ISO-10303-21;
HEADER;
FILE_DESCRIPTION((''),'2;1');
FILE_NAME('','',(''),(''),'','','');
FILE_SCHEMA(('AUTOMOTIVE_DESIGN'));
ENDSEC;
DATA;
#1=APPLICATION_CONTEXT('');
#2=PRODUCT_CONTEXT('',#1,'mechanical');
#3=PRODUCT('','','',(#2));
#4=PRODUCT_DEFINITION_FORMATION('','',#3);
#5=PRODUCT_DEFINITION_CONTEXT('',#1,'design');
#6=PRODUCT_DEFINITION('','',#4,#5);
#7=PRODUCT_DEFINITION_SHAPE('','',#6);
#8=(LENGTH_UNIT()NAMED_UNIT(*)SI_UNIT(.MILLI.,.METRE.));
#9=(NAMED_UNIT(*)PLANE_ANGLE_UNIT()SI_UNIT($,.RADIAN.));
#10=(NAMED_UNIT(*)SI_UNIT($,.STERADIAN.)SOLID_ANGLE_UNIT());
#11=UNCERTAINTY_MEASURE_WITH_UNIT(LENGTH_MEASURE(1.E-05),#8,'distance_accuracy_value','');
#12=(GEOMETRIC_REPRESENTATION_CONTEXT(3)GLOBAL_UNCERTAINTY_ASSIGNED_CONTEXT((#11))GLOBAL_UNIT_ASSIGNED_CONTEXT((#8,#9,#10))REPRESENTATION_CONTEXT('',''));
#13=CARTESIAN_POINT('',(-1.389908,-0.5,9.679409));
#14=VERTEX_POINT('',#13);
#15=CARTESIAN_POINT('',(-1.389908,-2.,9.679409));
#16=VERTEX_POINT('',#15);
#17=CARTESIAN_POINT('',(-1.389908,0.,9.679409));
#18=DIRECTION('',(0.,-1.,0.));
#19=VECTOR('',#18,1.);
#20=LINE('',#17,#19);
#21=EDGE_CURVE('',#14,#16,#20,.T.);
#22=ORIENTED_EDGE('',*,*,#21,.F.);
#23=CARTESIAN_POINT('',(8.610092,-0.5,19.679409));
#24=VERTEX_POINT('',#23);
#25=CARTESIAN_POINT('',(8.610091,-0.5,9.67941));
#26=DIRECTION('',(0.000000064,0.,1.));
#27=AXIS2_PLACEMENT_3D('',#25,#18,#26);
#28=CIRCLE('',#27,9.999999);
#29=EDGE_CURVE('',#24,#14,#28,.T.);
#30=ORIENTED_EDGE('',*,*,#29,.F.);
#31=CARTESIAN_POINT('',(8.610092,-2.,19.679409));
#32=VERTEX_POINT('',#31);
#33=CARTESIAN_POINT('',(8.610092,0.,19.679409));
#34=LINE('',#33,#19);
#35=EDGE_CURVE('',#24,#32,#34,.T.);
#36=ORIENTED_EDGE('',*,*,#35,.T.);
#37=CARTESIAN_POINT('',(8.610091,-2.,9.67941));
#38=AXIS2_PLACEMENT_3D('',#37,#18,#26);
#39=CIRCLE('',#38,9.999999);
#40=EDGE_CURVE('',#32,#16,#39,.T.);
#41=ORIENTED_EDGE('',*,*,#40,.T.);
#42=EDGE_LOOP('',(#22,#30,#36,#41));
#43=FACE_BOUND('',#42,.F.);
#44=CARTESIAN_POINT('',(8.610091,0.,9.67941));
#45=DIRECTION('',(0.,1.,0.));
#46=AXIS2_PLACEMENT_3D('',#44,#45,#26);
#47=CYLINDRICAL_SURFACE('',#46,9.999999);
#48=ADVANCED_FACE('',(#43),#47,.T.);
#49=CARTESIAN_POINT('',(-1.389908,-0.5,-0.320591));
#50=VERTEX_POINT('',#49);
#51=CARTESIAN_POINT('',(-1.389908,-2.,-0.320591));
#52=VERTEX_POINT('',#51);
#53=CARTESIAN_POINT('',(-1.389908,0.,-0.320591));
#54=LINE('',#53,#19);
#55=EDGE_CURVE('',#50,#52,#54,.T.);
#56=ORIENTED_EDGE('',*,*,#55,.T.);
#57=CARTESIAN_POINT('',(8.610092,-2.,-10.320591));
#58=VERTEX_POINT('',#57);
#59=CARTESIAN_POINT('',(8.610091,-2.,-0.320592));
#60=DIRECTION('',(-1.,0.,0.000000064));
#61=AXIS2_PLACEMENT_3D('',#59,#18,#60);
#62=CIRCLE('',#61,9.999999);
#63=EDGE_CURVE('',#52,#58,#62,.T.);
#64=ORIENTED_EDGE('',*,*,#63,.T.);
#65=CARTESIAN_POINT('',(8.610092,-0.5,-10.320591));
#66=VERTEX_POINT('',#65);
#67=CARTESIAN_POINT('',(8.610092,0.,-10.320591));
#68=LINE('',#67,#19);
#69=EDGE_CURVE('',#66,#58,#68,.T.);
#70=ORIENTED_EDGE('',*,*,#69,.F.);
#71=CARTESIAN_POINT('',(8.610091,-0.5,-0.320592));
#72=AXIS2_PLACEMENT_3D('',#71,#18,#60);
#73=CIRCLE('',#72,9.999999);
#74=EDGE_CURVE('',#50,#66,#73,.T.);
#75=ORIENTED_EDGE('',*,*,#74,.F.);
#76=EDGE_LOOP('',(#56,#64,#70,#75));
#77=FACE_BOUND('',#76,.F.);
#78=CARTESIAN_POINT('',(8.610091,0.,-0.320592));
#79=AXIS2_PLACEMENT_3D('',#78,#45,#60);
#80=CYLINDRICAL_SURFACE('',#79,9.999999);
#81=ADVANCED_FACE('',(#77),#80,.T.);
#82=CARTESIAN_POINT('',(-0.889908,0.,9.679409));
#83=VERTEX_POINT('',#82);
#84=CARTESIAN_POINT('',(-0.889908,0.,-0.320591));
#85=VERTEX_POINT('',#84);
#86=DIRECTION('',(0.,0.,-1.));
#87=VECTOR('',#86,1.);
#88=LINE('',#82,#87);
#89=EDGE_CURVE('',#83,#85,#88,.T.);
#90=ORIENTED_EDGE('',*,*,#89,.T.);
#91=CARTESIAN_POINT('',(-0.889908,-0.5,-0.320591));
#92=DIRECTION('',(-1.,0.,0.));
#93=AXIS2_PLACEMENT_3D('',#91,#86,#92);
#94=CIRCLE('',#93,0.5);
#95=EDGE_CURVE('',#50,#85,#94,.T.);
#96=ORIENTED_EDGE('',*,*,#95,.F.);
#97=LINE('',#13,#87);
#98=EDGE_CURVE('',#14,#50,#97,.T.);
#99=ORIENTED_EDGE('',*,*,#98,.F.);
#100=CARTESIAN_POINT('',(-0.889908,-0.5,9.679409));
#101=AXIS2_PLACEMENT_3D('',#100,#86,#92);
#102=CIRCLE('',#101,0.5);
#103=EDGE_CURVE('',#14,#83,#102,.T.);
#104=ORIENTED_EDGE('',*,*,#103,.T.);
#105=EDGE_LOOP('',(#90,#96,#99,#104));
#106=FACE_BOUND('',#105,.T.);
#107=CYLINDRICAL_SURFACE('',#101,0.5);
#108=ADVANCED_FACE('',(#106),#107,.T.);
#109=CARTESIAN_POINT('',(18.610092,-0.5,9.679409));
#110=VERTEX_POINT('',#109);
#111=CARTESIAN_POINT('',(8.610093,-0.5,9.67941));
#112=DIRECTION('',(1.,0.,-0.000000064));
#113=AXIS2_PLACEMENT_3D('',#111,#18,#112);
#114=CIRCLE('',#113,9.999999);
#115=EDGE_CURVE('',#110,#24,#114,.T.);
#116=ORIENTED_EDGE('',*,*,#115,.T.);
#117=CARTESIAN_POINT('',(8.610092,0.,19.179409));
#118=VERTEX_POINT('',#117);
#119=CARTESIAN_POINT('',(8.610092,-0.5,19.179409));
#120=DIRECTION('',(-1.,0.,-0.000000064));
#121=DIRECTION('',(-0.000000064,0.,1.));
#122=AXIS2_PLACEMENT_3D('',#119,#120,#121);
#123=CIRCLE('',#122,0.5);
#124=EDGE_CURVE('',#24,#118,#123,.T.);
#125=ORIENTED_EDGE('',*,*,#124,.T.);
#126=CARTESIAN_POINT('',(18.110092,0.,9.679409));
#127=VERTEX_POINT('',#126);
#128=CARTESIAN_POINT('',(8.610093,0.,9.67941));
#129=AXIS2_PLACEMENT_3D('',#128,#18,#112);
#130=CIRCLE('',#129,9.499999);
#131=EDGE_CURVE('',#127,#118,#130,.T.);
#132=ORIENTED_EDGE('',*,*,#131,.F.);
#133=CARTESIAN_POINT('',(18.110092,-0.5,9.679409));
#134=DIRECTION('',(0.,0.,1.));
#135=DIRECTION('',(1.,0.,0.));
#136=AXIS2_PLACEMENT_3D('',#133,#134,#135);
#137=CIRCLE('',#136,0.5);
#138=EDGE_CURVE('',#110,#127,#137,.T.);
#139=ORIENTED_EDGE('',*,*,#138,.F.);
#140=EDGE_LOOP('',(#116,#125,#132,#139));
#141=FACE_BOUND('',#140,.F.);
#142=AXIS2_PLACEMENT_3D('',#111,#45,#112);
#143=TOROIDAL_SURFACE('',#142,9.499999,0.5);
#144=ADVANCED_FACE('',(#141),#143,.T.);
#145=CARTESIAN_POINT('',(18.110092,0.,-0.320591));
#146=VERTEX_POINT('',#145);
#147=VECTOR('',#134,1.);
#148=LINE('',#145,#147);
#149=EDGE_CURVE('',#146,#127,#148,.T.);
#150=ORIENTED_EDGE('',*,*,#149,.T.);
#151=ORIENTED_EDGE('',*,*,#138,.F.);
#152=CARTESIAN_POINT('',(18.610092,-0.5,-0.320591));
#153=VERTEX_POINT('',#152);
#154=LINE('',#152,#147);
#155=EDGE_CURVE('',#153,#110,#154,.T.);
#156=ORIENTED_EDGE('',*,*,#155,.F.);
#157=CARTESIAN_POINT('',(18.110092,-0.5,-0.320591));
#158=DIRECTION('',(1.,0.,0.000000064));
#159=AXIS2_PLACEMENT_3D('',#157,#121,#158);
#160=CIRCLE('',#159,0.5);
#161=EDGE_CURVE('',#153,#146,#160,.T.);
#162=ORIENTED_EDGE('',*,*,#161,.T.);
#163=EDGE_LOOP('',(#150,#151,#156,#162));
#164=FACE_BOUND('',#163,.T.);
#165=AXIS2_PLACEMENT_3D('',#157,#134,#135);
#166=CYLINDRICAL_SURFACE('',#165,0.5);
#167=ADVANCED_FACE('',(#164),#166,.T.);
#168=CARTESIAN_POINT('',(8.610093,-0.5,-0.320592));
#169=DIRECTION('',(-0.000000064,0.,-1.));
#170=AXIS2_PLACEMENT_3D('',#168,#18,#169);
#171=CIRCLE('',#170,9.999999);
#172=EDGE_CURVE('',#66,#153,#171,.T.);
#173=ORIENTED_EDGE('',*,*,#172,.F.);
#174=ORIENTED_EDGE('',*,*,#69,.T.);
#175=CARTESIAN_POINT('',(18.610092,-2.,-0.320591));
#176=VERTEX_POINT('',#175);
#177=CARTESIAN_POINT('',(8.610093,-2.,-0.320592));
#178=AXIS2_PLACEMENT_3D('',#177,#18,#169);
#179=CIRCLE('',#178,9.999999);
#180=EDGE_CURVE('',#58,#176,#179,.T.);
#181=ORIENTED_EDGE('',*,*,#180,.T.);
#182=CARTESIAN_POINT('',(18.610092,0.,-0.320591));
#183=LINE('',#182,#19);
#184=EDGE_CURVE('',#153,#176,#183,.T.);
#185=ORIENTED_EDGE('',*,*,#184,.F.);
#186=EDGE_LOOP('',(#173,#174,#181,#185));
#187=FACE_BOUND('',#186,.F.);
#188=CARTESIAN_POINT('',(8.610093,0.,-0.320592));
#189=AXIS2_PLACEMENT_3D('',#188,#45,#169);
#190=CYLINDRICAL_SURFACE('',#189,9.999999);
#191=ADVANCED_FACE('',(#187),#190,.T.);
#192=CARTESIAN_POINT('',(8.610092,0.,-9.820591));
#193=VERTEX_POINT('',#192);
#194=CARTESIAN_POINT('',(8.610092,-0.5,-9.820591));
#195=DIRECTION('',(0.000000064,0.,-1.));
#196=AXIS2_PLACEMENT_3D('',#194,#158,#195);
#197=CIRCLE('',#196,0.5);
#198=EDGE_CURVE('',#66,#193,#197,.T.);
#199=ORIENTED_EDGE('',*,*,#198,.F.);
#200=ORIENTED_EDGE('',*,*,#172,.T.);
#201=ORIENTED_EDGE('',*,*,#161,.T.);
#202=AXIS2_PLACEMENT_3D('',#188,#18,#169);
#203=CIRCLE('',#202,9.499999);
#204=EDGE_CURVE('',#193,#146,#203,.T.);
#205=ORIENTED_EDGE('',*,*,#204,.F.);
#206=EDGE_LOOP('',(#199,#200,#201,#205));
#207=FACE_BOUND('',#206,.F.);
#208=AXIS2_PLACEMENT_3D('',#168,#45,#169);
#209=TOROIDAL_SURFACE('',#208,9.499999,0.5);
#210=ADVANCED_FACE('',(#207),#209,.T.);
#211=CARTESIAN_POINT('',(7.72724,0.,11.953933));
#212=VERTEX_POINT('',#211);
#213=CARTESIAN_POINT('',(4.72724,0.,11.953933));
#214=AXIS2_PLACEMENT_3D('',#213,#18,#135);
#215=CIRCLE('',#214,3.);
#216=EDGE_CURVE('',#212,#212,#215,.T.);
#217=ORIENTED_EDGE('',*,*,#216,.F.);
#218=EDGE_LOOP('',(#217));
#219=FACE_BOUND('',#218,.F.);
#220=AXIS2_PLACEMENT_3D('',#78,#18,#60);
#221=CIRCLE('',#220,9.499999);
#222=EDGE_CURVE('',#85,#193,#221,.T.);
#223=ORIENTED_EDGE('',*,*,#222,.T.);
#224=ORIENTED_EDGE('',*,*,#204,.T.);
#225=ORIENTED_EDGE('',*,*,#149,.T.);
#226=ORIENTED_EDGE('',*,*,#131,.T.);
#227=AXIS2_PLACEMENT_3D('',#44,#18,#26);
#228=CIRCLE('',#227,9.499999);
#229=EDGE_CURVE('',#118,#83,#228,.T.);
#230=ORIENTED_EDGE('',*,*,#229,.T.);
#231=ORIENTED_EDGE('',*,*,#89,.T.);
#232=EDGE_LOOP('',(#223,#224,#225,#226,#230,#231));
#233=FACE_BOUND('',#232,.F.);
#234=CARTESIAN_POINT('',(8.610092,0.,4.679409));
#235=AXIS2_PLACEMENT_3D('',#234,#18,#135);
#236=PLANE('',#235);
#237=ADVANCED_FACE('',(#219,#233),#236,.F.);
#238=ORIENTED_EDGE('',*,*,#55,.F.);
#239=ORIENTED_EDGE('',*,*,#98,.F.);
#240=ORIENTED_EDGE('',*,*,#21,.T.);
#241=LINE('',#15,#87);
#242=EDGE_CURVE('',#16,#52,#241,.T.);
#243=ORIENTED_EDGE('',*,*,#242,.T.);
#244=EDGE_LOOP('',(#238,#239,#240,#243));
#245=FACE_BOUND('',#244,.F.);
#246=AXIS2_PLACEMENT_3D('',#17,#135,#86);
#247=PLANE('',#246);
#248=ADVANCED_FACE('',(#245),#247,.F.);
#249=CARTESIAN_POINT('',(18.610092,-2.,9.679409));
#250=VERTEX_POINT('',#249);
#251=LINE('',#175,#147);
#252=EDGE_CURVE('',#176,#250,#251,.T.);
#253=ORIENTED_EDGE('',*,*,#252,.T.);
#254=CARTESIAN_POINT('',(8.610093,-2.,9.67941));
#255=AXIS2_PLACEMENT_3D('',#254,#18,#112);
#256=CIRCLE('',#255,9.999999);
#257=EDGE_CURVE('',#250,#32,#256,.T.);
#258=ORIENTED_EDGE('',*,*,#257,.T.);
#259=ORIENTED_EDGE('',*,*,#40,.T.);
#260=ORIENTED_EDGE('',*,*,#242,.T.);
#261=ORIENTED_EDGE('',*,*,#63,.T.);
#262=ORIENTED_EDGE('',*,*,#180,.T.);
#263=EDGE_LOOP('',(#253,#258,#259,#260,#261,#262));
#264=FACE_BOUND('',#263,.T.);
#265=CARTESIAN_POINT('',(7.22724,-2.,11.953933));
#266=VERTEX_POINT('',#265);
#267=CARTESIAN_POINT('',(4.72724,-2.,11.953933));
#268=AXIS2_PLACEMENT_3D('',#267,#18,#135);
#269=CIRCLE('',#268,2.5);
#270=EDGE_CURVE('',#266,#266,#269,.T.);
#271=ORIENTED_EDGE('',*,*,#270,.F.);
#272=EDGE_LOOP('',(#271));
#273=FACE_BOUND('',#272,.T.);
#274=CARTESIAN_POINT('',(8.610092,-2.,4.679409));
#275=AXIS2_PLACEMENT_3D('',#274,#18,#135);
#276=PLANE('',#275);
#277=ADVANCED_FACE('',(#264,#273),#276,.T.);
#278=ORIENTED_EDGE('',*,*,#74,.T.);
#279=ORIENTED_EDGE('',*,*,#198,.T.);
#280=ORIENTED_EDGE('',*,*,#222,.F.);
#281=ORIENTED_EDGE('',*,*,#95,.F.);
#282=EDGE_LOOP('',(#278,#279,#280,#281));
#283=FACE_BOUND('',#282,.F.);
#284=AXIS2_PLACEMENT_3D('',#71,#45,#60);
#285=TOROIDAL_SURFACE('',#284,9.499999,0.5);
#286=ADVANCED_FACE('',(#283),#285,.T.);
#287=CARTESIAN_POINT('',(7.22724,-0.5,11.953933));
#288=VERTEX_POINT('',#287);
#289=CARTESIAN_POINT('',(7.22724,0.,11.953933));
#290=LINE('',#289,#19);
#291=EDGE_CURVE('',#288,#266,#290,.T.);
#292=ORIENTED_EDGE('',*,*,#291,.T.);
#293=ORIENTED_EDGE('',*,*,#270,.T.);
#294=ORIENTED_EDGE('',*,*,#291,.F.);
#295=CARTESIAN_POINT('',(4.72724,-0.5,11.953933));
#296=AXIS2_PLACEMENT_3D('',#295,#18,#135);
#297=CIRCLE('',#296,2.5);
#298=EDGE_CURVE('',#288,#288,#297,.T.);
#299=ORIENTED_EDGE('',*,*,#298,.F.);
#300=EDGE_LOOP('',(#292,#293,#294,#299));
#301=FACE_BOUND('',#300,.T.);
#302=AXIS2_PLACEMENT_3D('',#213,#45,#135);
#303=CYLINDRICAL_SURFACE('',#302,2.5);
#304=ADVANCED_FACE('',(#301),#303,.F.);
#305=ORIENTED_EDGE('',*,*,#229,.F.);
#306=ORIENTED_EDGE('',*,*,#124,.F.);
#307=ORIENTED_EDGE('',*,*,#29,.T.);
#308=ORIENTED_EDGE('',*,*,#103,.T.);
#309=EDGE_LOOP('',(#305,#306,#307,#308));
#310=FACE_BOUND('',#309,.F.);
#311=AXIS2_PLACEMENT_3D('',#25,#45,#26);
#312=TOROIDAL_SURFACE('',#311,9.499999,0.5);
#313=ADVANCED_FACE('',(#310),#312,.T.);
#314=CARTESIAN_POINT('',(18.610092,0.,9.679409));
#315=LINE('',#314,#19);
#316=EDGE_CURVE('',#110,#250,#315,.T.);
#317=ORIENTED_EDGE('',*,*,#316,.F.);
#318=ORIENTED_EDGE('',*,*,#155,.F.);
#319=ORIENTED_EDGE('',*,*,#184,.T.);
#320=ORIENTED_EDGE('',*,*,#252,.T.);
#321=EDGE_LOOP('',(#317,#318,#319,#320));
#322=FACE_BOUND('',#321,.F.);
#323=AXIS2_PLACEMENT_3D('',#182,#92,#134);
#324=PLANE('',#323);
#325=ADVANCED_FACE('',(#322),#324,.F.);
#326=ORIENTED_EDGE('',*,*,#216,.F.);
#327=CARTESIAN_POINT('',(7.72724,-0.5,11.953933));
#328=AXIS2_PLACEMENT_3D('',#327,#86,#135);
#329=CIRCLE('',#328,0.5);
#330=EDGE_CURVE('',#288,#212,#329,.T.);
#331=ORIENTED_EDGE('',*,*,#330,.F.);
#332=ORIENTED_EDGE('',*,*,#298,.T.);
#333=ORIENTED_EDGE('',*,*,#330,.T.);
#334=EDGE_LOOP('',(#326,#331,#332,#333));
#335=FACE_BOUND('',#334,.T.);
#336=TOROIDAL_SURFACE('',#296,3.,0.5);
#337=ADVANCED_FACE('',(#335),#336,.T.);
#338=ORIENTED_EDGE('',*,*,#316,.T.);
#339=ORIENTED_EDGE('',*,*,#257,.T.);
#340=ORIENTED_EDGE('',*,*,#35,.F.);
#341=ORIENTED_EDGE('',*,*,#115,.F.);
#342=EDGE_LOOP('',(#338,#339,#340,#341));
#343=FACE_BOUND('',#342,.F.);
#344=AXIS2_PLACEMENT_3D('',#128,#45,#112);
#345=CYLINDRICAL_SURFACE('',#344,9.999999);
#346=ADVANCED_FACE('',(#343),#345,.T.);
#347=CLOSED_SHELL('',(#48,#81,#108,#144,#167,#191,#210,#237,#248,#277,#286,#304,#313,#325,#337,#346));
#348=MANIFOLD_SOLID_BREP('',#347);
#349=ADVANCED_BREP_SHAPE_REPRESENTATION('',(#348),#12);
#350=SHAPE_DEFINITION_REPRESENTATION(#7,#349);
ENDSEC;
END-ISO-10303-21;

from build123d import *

# Parameters (mm, degrees)
F0_R     = 2.5
F1_DEPTH = 2
F2_R     = 0.5


with BuildPart() as f1:
    # F0 (on Front) → F1 (new body)
    with BuildSketch(Plane.XZ):
        with BuildLine():
            ThreePointArc((8.610092, 19.679409), (1.539024, 16.750477), (-1.389908, 9.679409))
            Line((-1.389908, 9.679409), (-1.389908, -0.320591))
            ThreePointArc((-1.389908, -0.320591), (1.539024, -7.391659), (8.610092, -10.320591))
            ThreePointArc((8.610092, -10.320591), (15.68116, -7.391659), (18.610092, -0.320591))
            Line((18.610092, -0.320591), (18.610092, 9.679409))
            ThreePointArc((18.610092, 9.679409), (15.68116, 16.750477), (8.610092, 19.679409))
        make_face()
        with Locations((4.72724, 11.953933)):
            Circle(F0_R, mode=Mode.SUBTRACT)
    extrude(amount=F1_DEPTH)

    # F2
    f2_edges = [f1.edges().sort_by_distance(p)[0] for p in [
        (-1.389908, 0, 4.679409),
        (8.610092, 0, -10.320591),
        (18.610092, 0, 4.679409),
        (8.610092, 0, 19.679409),
        (2.22724, 0, 11.953933),
    ]]
    fillet(f2_edges, radius=F2_R)


solid = f1.part
